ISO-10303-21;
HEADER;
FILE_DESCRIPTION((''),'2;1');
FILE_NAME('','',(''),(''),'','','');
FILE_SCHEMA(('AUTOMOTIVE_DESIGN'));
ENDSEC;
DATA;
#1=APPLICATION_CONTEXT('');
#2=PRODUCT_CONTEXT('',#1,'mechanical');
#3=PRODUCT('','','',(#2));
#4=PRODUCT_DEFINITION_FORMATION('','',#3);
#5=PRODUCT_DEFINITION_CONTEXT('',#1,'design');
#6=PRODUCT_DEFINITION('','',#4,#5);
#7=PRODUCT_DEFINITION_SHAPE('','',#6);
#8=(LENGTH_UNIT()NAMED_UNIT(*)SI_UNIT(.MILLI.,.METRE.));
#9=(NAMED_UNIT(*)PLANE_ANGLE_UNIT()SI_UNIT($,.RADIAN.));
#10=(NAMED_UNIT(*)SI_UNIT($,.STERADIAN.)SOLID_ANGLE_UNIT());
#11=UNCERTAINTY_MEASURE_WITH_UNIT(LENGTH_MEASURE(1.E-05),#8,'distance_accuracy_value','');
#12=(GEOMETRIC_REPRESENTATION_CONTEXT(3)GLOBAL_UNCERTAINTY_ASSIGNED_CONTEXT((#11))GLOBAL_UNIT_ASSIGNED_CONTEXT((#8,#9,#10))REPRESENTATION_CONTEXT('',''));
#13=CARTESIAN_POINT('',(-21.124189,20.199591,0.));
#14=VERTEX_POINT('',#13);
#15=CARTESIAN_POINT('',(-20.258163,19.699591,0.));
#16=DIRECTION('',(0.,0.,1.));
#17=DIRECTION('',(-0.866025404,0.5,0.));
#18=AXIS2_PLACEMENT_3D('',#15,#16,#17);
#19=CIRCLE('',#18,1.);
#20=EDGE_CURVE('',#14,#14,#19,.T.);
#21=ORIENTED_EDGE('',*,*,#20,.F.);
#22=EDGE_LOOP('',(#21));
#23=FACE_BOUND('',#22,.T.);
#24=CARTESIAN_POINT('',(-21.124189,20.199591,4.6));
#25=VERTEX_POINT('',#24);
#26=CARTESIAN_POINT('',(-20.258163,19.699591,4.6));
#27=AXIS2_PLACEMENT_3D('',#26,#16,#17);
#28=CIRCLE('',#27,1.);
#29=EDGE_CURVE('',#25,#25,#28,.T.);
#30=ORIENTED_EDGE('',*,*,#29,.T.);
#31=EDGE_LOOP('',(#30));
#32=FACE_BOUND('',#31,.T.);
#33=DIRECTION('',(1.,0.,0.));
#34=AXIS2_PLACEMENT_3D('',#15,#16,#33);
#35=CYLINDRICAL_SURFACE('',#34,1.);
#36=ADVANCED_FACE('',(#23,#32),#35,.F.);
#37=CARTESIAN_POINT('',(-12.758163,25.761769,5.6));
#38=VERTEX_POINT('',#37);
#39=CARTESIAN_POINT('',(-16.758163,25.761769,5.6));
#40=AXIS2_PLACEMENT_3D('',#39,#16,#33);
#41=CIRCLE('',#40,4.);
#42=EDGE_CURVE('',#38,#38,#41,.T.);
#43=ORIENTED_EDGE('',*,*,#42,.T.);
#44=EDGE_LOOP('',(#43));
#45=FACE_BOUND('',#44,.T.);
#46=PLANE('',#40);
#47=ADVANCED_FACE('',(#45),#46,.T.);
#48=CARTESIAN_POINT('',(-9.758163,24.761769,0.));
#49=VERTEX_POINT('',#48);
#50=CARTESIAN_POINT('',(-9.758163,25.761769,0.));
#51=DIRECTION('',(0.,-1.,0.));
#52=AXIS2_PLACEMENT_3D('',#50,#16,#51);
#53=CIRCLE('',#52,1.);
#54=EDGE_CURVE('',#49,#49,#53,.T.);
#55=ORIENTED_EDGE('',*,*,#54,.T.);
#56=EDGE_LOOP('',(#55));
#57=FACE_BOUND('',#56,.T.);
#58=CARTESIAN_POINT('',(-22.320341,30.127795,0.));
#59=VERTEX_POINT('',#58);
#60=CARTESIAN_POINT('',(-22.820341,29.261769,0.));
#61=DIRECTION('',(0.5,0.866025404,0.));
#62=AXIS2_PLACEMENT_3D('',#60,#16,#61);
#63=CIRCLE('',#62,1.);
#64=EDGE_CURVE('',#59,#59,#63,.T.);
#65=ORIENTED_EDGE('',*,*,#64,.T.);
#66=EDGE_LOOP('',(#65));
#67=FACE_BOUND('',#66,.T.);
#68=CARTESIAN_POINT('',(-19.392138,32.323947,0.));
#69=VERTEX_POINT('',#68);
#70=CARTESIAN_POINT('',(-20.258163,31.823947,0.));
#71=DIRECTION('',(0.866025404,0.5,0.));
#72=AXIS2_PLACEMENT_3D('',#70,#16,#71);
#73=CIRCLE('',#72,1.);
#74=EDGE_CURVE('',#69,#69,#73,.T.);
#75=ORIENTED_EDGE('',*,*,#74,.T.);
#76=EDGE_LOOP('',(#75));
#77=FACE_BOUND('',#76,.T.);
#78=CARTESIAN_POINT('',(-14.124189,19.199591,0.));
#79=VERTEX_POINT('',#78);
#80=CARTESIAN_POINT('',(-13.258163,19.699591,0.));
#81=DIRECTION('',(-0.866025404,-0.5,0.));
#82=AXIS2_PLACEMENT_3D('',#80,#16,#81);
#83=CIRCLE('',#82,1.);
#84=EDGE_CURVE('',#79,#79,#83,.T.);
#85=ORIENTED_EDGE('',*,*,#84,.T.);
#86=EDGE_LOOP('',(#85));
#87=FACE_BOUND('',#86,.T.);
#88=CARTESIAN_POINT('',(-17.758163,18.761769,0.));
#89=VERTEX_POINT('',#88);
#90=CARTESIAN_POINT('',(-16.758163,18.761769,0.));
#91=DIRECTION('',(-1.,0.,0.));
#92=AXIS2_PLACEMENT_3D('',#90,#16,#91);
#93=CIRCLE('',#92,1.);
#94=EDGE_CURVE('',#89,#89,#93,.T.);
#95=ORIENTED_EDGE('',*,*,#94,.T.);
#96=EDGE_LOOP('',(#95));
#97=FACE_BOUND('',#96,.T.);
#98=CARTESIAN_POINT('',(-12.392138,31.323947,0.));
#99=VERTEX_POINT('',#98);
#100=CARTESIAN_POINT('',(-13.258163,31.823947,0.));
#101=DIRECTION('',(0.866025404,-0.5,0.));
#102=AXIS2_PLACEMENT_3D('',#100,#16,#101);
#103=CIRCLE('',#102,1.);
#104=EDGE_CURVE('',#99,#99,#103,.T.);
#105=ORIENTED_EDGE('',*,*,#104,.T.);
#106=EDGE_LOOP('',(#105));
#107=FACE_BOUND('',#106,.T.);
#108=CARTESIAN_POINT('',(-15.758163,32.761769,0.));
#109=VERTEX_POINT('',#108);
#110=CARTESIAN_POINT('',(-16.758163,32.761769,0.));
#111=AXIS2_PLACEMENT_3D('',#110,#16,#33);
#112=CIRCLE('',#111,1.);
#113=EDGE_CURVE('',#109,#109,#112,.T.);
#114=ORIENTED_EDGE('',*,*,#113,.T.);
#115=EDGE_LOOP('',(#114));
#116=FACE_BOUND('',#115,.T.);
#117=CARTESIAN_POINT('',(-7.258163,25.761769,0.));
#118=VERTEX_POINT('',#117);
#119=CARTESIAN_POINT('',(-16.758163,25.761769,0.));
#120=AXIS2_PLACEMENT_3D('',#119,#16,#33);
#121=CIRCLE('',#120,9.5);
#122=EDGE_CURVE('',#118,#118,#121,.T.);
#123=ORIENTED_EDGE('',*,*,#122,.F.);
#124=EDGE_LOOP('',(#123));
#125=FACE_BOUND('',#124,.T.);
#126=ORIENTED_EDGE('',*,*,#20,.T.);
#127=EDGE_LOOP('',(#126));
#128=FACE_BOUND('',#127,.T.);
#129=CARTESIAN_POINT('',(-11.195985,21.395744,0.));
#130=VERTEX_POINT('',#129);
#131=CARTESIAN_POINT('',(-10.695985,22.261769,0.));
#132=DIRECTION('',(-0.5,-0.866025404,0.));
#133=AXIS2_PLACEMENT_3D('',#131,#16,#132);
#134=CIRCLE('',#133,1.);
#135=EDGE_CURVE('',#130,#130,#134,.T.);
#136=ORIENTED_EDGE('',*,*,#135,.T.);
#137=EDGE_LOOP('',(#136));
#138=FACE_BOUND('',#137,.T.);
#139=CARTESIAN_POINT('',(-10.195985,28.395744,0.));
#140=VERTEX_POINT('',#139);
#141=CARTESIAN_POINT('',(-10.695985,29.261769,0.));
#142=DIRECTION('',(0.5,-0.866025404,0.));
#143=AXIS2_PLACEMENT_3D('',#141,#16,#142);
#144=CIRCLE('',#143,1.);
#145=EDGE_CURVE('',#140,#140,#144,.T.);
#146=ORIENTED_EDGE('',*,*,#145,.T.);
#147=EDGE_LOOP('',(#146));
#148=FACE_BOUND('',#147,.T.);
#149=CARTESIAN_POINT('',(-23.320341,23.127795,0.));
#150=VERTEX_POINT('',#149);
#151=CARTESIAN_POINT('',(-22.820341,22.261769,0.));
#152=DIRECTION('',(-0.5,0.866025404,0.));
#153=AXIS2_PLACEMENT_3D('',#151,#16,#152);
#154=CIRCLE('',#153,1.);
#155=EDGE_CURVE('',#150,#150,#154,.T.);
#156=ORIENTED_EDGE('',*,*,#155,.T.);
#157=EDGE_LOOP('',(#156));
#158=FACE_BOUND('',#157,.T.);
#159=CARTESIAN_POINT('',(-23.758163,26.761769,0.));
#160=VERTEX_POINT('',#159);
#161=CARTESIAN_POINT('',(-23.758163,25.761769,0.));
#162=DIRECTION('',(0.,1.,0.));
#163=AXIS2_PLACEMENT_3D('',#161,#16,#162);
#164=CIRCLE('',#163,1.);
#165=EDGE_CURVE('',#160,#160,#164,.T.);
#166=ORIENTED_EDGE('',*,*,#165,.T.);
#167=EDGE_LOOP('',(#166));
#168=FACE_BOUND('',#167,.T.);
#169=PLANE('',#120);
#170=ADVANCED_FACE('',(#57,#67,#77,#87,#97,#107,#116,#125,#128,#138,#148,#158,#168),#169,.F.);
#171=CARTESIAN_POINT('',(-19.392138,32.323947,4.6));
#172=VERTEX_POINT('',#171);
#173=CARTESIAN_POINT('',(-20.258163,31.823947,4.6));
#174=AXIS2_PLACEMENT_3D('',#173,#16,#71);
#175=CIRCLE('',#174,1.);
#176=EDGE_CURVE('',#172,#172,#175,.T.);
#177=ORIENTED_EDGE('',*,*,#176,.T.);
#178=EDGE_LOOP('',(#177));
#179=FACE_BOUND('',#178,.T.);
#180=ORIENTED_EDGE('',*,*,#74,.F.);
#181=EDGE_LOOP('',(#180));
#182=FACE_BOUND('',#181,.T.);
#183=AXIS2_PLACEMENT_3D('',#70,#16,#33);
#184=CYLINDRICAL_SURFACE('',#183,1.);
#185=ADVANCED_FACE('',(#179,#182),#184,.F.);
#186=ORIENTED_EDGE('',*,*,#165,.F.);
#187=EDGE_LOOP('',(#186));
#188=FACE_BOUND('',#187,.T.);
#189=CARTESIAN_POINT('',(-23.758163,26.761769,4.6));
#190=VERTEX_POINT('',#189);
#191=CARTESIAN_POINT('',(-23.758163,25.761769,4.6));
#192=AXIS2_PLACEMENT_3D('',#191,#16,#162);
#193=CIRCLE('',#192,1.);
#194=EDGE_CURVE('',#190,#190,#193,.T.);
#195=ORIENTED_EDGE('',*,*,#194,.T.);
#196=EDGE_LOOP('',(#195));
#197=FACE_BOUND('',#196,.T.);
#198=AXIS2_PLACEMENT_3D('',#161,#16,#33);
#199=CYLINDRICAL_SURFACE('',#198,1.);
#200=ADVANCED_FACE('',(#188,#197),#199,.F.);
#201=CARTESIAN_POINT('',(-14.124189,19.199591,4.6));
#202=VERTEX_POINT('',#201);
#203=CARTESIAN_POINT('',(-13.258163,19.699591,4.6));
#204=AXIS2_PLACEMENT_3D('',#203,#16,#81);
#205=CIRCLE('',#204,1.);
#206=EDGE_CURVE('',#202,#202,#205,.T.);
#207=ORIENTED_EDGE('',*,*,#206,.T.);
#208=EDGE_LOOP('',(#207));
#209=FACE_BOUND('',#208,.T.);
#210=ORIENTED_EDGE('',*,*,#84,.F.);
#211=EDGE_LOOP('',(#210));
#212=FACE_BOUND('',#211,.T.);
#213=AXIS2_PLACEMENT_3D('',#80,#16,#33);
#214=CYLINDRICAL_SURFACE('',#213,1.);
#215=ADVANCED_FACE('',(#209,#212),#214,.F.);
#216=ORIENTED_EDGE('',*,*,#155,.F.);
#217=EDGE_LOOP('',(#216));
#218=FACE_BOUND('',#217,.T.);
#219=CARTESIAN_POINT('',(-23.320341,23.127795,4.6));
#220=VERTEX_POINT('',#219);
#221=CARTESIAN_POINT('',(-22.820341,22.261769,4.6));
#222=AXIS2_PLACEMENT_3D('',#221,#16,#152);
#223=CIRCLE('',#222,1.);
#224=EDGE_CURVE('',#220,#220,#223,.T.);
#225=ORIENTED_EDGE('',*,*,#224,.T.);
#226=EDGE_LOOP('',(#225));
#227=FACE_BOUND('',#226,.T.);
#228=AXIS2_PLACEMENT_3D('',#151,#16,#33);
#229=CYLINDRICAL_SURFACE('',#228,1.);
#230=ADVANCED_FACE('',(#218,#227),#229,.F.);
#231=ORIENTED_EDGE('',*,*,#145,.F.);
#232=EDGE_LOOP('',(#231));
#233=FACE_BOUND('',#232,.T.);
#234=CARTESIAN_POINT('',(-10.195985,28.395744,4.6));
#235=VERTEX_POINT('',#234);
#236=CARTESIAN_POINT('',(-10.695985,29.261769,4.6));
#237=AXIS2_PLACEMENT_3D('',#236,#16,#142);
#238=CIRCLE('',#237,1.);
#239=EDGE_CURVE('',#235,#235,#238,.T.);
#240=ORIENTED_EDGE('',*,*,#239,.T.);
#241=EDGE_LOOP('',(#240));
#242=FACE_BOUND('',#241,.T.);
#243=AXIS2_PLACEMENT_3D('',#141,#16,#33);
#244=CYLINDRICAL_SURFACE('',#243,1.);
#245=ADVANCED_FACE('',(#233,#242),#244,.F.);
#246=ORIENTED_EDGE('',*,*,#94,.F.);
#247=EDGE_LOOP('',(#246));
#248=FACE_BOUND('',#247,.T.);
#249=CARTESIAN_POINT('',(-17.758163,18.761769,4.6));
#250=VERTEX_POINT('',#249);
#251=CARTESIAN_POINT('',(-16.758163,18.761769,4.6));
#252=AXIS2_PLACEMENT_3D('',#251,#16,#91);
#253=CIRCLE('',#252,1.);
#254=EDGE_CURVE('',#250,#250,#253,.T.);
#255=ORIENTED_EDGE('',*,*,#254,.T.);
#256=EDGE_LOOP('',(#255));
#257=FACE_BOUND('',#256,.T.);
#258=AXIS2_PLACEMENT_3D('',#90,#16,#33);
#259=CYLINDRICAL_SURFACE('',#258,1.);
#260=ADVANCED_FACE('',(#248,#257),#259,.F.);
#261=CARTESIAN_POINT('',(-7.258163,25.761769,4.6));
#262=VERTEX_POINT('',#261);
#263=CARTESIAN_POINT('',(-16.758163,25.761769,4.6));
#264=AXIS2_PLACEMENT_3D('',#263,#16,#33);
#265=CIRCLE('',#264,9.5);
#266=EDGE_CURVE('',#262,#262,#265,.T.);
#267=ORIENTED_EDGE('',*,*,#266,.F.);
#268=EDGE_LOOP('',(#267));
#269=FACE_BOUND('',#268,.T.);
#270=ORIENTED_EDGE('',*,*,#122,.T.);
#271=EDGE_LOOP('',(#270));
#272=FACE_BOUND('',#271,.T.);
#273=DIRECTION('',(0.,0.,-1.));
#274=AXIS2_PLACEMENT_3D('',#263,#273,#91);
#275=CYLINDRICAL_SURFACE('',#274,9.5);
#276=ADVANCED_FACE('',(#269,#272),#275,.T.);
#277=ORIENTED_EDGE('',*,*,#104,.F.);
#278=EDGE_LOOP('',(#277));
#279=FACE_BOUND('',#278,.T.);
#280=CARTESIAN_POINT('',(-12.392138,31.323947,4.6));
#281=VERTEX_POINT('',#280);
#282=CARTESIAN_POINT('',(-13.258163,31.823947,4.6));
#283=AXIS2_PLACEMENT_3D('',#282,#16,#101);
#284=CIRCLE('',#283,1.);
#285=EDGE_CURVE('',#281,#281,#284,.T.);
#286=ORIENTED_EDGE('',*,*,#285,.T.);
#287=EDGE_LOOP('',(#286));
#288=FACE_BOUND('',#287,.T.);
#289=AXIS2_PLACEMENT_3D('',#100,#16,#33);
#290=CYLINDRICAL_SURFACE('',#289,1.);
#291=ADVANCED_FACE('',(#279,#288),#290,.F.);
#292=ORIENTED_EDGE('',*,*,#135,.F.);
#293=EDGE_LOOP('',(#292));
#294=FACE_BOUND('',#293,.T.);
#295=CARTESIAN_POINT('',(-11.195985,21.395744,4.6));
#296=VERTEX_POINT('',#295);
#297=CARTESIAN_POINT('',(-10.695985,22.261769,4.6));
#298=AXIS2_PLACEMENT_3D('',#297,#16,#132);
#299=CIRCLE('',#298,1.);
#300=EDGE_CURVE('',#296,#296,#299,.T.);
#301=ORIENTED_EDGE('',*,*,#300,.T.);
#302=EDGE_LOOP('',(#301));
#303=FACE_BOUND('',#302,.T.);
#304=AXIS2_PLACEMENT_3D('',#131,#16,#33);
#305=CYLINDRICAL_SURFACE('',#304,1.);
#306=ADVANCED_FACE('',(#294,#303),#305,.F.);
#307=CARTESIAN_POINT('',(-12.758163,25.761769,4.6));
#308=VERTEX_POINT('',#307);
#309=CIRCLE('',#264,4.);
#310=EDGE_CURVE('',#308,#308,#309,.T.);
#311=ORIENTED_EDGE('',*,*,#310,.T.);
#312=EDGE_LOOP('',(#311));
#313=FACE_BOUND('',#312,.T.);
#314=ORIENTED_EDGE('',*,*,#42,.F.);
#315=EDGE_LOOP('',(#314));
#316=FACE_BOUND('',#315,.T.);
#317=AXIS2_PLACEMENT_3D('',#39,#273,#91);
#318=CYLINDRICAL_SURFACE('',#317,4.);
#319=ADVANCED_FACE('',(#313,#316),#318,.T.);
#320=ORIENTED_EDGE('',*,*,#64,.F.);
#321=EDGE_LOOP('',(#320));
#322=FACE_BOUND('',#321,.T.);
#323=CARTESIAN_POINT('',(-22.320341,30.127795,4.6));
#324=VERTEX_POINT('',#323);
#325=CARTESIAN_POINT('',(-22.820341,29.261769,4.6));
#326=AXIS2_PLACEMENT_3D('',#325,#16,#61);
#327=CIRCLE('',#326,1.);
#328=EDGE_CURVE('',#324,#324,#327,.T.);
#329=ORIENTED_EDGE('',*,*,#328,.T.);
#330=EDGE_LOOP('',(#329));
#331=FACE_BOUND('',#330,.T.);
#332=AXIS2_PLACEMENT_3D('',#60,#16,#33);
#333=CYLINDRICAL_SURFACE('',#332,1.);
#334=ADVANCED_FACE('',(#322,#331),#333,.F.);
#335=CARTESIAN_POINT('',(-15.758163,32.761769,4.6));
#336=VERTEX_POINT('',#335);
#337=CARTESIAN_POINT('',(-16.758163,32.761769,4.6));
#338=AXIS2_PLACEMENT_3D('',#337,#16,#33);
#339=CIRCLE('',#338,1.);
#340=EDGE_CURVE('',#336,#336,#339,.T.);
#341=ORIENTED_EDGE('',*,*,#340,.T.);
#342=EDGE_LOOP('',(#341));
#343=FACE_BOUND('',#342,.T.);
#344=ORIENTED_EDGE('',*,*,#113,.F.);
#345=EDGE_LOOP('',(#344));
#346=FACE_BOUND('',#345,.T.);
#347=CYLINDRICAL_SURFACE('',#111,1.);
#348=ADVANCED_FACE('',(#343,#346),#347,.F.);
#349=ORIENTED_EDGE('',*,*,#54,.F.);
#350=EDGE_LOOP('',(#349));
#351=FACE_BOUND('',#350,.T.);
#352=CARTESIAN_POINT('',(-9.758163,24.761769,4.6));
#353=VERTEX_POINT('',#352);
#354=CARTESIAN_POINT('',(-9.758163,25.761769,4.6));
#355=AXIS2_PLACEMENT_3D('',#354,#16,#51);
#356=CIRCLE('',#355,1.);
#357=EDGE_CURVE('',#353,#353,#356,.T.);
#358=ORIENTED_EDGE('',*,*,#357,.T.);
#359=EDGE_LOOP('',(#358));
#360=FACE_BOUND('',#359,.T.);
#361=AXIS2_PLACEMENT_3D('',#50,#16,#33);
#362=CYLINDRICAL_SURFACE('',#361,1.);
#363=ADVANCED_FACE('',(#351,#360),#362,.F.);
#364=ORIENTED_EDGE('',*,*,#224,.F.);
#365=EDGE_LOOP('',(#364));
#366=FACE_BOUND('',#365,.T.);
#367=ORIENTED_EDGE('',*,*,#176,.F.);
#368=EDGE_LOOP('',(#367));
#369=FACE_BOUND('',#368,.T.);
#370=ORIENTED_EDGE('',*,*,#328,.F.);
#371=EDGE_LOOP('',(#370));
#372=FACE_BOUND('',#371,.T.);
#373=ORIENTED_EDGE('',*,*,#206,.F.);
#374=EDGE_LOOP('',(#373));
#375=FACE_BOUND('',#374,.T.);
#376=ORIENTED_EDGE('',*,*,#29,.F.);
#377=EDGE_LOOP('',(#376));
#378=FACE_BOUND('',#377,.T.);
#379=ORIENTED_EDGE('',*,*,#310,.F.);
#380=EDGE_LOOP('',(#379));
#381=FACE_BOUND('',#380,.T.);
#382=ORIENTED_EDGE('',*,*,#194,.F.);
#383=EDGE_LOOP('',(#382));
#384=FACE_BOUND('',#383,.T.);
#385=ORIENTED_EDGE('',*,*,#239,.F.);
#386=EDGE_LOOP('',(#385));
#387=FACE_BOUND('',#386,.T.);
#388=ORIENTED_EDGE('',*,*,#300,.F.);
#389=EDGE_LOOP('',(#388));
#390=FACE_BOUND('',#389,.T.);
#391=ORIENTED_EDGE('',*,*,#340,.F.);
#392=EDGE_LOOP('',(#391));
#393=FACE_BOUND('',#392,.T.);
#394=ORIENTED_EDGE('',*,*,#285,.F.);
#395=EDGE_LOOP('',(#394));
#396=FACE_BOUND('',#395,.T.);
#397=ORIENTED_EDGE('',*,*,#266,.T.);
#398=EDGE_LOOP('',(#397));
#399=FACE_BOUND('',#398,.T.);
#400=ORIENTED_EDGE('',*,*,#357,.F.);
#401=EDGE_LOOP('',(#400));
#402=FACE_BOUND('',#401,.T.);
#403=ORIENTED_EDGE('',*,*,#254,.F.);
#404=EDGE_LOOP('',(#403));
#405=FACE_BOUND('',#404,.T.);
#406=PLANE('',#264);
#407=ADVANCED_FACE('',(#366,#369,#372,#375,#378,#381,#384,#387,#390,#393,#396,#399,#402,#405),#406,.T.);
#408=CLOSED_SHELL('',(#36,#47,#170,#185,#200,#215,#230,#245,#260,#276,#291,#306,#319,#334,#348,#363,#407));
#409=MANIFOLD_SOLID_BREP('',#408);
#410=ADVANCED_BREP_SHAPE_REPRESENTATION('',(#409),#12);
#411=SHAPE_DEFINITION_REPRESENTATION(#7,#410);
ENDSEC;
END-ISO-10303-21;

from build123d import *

# Parameters (mm, degrees)
ESQUISSE1_R                  = 9.5
BOSS_EXTRU_1_DEPTH           = 4.6
R_P_TITION_CIRCULAIRE1_COUNT = 12
ESQUISSE2_R                  = 4
BOSS_EXTRU_4_DEPTH           = 1
ESQUISSE7_R                  = 1
ENL_V_MAT_EXTRU_1_DEPTH      = 4.6
R_P_TITION_CIRCULAIRE2_COUNT = 12


with BuildPart() as part:
    # Esquisse1 → Boss.-Extru.1 (new body)
    with BuildSketch(Plane.XY):
        with Locations((-16.758163119, 25.761769115)):
            Circle(ESQUISSE1_R)
    boss_extru_1 = extrude(amount=BOSS_EXTRU_1_DEPTH)


with BuildPart() as r_p_tition_circulaire1_1:
    # Répétition circulaire1: pattern copy
    add(boss_extru_1.rotate(Axis((-16.758163119, 25.761769115, 4.6), (0, 0, 1)), 1 * 360 / R_P_TITION_CIRCULAIRE1_COUNT))


with BuildPart() as r_p_tition_circulaire1_2:
    # Répétition circulaire1: pattern copy
    add(boss_extru_1.rotate(Axis((-16.758163119, 25.761769115, 4.6), (0, 0, 1)), 2 * 360 / R_P_TITION_CIRCULAIRE1_COUNT))


with BuildPart() as r_p_tition_circulaire1_3:
    # Répétition circulaire1: pattern copy
    add(boss_extru_1.rotate(Axis((-16.758163119, 25.761769115, 4.6), (0, 0, 1)), 3 * 360 / R_P_TITION_CIRCULAIRE1_COUNT))


with BuildPart() as r_p_tition_circulaire1_4:
    # Répétition circulaire1: pattern copy
    add(boss_extru_1.rotate(Axis((-16.758163119, 25.761769115, 4.6), (0, 0, 1)), 4 * 360 / R_P_TITION_CIRCULAIRE1_COUNT))


with BuildPart() as r_p_tition_circulaire1_5:
    # Répétition circulaire1: pattern copy
    add(boss_extru_1.rotate(Axis((-16.758163119, 25.761769115, 4.6), (0, 0, 1)), 5 * 360 / R_P_TITION_CIRCULAIRE1_COUNT))


with BuildPart() as r_p_tition_circulaire1_6:
    # Répétition circulaire1: pattern copy
    add(boss_extru_1.rotate(Axis((-16.758163119, 25.761769115, 4.6), (0, 0, 1)), 6 * 360 / R_P_TITION_CIRCULAIRE1_COUNT))


with BuildPart() as r_p_tition_circulaire1_7:
    # Répétition circulaire1: pattern copy
    add(boss_extru_1.rotate(Axis((-16.758163119, 25.761769115, 4.6), (0, 0, 1)), 7 * 360 / R_P_TITION_CIRCULAIRE1_COUNT))


with BuildPart() as r_p_tition_circulaire1_8:
    # Répétition circulaire1: pattern copy
    add(boss_extru_1.rotate(Axis((-16.758163119, 25.761769115, 4.6), (0, 0, 1)), 8 * 360 / R_P_TITION_CIRCULAIRE1_COUNT))


with BuildPart() as r_p_tition_circulaire1_9:
    # Répétition circulaire1: pattern copy
    add(boss_extru_1.rotate(Axis((-16.758163119, 25.761769115, 4.6), (0, 0, 1)), 9 * 360 / R_P_TITION_CIRCULAIRE1_COUNT))


with BuildPart() as r_p_tition_circulaire1_10:
    # Répétition circulaire1: pattern copy
    add(boss_extru_1.rotate(Axis((-16.758163119, 25.761769115, 4.6), (0, 0, 1)), 10 * 360 / R_P_TITION_CIRCULAIRE1_COUNT))


with BuildPart() as r_p_tition_circulaire1_11:
    # Répétition circulaire1: pattern copy
    add(boss_extru_1.rotate(Axis((-16.758163119, 25.761769115, 4.6), (0, 0, 1)), 11 * 360 / R_P_TITION_CIRCULAIRE1_COUNT))


with BuildPart() as part_1:
    add(part.part)

    # Répétition circulaire1 united with what: union Répétition circulaire1_1, Répétition circulaire1_2, Répétition circulaire1_3, Répétition circulaire1_4, Répétition circulaire1_5, Répétition circulaire1_6, Répétition circulaire1_7, Répétition circulaire1_8, Répétition circulaire1_9, Répétition circulaire1_10, Répétition circulaire1_11
    add(r_p_tition_circulaire1_1.part)
    add(r_p_tition_circulaire1_2.part)
    add(r_p_tition_circulaire1_3.part)
    add(r_p_tition_circulaire1_4.part)
    add(r_p_tition_circulaire1_5.part)
    add(r_p_tition_circulaire1_6.part)
    add(r_p_tition_circulaire1_7.part)
    add(r_p_tition_circulaire1_8.part)
    add(r_p_tition_circulaire1_9.part)
    add(r_p_tition_circulaire1_10.part)
    add(r_p_tition_circulaire1_11.part)

    # Esquisse2 → Boss.-Extru.4 (add)
    with BuildSketch(Plane.XY.offset(4.6)):
        with Locations((-16.758163119, 25.761769115)):
            Circle(ESQUISSE2_R)
    extrude(amount=BOSS_EXTRU_4_DEPTH)

    # Esquisse7 → Enlèv. mat.-Extru.1 (cut)
    with BuildSketch(Plane.XY.offset(4.6)):
        with Locations((-16.758163119, 32.761769115)):
            Circle(ESQUISSE7_R)
    enl_v_mat_extru_1 = extrude(amount=-ENL_V_MAT_EXTRU_1_DEPTH, mode=Mode.SUBTRACT)

    # Répétition circulaire2: Enlèv. mat.-Extru.1 ×12 about axis
    r_p_tition_circulaire2_axis = Axis((-16.758163119, 25.761769115, 0), (0, 0, 1))
    for i in range(1, R_P_TITION_CIRCULAIRE2_COUNT):
        add(enl_v_mat_extru_1.rotate(r_p_tition_circulaire2_axis, i * 360 / R_P_TITION_CIRCULAIRE2_COUNT), mode=Mode.SUBTRACT)


solid = part_1.part
